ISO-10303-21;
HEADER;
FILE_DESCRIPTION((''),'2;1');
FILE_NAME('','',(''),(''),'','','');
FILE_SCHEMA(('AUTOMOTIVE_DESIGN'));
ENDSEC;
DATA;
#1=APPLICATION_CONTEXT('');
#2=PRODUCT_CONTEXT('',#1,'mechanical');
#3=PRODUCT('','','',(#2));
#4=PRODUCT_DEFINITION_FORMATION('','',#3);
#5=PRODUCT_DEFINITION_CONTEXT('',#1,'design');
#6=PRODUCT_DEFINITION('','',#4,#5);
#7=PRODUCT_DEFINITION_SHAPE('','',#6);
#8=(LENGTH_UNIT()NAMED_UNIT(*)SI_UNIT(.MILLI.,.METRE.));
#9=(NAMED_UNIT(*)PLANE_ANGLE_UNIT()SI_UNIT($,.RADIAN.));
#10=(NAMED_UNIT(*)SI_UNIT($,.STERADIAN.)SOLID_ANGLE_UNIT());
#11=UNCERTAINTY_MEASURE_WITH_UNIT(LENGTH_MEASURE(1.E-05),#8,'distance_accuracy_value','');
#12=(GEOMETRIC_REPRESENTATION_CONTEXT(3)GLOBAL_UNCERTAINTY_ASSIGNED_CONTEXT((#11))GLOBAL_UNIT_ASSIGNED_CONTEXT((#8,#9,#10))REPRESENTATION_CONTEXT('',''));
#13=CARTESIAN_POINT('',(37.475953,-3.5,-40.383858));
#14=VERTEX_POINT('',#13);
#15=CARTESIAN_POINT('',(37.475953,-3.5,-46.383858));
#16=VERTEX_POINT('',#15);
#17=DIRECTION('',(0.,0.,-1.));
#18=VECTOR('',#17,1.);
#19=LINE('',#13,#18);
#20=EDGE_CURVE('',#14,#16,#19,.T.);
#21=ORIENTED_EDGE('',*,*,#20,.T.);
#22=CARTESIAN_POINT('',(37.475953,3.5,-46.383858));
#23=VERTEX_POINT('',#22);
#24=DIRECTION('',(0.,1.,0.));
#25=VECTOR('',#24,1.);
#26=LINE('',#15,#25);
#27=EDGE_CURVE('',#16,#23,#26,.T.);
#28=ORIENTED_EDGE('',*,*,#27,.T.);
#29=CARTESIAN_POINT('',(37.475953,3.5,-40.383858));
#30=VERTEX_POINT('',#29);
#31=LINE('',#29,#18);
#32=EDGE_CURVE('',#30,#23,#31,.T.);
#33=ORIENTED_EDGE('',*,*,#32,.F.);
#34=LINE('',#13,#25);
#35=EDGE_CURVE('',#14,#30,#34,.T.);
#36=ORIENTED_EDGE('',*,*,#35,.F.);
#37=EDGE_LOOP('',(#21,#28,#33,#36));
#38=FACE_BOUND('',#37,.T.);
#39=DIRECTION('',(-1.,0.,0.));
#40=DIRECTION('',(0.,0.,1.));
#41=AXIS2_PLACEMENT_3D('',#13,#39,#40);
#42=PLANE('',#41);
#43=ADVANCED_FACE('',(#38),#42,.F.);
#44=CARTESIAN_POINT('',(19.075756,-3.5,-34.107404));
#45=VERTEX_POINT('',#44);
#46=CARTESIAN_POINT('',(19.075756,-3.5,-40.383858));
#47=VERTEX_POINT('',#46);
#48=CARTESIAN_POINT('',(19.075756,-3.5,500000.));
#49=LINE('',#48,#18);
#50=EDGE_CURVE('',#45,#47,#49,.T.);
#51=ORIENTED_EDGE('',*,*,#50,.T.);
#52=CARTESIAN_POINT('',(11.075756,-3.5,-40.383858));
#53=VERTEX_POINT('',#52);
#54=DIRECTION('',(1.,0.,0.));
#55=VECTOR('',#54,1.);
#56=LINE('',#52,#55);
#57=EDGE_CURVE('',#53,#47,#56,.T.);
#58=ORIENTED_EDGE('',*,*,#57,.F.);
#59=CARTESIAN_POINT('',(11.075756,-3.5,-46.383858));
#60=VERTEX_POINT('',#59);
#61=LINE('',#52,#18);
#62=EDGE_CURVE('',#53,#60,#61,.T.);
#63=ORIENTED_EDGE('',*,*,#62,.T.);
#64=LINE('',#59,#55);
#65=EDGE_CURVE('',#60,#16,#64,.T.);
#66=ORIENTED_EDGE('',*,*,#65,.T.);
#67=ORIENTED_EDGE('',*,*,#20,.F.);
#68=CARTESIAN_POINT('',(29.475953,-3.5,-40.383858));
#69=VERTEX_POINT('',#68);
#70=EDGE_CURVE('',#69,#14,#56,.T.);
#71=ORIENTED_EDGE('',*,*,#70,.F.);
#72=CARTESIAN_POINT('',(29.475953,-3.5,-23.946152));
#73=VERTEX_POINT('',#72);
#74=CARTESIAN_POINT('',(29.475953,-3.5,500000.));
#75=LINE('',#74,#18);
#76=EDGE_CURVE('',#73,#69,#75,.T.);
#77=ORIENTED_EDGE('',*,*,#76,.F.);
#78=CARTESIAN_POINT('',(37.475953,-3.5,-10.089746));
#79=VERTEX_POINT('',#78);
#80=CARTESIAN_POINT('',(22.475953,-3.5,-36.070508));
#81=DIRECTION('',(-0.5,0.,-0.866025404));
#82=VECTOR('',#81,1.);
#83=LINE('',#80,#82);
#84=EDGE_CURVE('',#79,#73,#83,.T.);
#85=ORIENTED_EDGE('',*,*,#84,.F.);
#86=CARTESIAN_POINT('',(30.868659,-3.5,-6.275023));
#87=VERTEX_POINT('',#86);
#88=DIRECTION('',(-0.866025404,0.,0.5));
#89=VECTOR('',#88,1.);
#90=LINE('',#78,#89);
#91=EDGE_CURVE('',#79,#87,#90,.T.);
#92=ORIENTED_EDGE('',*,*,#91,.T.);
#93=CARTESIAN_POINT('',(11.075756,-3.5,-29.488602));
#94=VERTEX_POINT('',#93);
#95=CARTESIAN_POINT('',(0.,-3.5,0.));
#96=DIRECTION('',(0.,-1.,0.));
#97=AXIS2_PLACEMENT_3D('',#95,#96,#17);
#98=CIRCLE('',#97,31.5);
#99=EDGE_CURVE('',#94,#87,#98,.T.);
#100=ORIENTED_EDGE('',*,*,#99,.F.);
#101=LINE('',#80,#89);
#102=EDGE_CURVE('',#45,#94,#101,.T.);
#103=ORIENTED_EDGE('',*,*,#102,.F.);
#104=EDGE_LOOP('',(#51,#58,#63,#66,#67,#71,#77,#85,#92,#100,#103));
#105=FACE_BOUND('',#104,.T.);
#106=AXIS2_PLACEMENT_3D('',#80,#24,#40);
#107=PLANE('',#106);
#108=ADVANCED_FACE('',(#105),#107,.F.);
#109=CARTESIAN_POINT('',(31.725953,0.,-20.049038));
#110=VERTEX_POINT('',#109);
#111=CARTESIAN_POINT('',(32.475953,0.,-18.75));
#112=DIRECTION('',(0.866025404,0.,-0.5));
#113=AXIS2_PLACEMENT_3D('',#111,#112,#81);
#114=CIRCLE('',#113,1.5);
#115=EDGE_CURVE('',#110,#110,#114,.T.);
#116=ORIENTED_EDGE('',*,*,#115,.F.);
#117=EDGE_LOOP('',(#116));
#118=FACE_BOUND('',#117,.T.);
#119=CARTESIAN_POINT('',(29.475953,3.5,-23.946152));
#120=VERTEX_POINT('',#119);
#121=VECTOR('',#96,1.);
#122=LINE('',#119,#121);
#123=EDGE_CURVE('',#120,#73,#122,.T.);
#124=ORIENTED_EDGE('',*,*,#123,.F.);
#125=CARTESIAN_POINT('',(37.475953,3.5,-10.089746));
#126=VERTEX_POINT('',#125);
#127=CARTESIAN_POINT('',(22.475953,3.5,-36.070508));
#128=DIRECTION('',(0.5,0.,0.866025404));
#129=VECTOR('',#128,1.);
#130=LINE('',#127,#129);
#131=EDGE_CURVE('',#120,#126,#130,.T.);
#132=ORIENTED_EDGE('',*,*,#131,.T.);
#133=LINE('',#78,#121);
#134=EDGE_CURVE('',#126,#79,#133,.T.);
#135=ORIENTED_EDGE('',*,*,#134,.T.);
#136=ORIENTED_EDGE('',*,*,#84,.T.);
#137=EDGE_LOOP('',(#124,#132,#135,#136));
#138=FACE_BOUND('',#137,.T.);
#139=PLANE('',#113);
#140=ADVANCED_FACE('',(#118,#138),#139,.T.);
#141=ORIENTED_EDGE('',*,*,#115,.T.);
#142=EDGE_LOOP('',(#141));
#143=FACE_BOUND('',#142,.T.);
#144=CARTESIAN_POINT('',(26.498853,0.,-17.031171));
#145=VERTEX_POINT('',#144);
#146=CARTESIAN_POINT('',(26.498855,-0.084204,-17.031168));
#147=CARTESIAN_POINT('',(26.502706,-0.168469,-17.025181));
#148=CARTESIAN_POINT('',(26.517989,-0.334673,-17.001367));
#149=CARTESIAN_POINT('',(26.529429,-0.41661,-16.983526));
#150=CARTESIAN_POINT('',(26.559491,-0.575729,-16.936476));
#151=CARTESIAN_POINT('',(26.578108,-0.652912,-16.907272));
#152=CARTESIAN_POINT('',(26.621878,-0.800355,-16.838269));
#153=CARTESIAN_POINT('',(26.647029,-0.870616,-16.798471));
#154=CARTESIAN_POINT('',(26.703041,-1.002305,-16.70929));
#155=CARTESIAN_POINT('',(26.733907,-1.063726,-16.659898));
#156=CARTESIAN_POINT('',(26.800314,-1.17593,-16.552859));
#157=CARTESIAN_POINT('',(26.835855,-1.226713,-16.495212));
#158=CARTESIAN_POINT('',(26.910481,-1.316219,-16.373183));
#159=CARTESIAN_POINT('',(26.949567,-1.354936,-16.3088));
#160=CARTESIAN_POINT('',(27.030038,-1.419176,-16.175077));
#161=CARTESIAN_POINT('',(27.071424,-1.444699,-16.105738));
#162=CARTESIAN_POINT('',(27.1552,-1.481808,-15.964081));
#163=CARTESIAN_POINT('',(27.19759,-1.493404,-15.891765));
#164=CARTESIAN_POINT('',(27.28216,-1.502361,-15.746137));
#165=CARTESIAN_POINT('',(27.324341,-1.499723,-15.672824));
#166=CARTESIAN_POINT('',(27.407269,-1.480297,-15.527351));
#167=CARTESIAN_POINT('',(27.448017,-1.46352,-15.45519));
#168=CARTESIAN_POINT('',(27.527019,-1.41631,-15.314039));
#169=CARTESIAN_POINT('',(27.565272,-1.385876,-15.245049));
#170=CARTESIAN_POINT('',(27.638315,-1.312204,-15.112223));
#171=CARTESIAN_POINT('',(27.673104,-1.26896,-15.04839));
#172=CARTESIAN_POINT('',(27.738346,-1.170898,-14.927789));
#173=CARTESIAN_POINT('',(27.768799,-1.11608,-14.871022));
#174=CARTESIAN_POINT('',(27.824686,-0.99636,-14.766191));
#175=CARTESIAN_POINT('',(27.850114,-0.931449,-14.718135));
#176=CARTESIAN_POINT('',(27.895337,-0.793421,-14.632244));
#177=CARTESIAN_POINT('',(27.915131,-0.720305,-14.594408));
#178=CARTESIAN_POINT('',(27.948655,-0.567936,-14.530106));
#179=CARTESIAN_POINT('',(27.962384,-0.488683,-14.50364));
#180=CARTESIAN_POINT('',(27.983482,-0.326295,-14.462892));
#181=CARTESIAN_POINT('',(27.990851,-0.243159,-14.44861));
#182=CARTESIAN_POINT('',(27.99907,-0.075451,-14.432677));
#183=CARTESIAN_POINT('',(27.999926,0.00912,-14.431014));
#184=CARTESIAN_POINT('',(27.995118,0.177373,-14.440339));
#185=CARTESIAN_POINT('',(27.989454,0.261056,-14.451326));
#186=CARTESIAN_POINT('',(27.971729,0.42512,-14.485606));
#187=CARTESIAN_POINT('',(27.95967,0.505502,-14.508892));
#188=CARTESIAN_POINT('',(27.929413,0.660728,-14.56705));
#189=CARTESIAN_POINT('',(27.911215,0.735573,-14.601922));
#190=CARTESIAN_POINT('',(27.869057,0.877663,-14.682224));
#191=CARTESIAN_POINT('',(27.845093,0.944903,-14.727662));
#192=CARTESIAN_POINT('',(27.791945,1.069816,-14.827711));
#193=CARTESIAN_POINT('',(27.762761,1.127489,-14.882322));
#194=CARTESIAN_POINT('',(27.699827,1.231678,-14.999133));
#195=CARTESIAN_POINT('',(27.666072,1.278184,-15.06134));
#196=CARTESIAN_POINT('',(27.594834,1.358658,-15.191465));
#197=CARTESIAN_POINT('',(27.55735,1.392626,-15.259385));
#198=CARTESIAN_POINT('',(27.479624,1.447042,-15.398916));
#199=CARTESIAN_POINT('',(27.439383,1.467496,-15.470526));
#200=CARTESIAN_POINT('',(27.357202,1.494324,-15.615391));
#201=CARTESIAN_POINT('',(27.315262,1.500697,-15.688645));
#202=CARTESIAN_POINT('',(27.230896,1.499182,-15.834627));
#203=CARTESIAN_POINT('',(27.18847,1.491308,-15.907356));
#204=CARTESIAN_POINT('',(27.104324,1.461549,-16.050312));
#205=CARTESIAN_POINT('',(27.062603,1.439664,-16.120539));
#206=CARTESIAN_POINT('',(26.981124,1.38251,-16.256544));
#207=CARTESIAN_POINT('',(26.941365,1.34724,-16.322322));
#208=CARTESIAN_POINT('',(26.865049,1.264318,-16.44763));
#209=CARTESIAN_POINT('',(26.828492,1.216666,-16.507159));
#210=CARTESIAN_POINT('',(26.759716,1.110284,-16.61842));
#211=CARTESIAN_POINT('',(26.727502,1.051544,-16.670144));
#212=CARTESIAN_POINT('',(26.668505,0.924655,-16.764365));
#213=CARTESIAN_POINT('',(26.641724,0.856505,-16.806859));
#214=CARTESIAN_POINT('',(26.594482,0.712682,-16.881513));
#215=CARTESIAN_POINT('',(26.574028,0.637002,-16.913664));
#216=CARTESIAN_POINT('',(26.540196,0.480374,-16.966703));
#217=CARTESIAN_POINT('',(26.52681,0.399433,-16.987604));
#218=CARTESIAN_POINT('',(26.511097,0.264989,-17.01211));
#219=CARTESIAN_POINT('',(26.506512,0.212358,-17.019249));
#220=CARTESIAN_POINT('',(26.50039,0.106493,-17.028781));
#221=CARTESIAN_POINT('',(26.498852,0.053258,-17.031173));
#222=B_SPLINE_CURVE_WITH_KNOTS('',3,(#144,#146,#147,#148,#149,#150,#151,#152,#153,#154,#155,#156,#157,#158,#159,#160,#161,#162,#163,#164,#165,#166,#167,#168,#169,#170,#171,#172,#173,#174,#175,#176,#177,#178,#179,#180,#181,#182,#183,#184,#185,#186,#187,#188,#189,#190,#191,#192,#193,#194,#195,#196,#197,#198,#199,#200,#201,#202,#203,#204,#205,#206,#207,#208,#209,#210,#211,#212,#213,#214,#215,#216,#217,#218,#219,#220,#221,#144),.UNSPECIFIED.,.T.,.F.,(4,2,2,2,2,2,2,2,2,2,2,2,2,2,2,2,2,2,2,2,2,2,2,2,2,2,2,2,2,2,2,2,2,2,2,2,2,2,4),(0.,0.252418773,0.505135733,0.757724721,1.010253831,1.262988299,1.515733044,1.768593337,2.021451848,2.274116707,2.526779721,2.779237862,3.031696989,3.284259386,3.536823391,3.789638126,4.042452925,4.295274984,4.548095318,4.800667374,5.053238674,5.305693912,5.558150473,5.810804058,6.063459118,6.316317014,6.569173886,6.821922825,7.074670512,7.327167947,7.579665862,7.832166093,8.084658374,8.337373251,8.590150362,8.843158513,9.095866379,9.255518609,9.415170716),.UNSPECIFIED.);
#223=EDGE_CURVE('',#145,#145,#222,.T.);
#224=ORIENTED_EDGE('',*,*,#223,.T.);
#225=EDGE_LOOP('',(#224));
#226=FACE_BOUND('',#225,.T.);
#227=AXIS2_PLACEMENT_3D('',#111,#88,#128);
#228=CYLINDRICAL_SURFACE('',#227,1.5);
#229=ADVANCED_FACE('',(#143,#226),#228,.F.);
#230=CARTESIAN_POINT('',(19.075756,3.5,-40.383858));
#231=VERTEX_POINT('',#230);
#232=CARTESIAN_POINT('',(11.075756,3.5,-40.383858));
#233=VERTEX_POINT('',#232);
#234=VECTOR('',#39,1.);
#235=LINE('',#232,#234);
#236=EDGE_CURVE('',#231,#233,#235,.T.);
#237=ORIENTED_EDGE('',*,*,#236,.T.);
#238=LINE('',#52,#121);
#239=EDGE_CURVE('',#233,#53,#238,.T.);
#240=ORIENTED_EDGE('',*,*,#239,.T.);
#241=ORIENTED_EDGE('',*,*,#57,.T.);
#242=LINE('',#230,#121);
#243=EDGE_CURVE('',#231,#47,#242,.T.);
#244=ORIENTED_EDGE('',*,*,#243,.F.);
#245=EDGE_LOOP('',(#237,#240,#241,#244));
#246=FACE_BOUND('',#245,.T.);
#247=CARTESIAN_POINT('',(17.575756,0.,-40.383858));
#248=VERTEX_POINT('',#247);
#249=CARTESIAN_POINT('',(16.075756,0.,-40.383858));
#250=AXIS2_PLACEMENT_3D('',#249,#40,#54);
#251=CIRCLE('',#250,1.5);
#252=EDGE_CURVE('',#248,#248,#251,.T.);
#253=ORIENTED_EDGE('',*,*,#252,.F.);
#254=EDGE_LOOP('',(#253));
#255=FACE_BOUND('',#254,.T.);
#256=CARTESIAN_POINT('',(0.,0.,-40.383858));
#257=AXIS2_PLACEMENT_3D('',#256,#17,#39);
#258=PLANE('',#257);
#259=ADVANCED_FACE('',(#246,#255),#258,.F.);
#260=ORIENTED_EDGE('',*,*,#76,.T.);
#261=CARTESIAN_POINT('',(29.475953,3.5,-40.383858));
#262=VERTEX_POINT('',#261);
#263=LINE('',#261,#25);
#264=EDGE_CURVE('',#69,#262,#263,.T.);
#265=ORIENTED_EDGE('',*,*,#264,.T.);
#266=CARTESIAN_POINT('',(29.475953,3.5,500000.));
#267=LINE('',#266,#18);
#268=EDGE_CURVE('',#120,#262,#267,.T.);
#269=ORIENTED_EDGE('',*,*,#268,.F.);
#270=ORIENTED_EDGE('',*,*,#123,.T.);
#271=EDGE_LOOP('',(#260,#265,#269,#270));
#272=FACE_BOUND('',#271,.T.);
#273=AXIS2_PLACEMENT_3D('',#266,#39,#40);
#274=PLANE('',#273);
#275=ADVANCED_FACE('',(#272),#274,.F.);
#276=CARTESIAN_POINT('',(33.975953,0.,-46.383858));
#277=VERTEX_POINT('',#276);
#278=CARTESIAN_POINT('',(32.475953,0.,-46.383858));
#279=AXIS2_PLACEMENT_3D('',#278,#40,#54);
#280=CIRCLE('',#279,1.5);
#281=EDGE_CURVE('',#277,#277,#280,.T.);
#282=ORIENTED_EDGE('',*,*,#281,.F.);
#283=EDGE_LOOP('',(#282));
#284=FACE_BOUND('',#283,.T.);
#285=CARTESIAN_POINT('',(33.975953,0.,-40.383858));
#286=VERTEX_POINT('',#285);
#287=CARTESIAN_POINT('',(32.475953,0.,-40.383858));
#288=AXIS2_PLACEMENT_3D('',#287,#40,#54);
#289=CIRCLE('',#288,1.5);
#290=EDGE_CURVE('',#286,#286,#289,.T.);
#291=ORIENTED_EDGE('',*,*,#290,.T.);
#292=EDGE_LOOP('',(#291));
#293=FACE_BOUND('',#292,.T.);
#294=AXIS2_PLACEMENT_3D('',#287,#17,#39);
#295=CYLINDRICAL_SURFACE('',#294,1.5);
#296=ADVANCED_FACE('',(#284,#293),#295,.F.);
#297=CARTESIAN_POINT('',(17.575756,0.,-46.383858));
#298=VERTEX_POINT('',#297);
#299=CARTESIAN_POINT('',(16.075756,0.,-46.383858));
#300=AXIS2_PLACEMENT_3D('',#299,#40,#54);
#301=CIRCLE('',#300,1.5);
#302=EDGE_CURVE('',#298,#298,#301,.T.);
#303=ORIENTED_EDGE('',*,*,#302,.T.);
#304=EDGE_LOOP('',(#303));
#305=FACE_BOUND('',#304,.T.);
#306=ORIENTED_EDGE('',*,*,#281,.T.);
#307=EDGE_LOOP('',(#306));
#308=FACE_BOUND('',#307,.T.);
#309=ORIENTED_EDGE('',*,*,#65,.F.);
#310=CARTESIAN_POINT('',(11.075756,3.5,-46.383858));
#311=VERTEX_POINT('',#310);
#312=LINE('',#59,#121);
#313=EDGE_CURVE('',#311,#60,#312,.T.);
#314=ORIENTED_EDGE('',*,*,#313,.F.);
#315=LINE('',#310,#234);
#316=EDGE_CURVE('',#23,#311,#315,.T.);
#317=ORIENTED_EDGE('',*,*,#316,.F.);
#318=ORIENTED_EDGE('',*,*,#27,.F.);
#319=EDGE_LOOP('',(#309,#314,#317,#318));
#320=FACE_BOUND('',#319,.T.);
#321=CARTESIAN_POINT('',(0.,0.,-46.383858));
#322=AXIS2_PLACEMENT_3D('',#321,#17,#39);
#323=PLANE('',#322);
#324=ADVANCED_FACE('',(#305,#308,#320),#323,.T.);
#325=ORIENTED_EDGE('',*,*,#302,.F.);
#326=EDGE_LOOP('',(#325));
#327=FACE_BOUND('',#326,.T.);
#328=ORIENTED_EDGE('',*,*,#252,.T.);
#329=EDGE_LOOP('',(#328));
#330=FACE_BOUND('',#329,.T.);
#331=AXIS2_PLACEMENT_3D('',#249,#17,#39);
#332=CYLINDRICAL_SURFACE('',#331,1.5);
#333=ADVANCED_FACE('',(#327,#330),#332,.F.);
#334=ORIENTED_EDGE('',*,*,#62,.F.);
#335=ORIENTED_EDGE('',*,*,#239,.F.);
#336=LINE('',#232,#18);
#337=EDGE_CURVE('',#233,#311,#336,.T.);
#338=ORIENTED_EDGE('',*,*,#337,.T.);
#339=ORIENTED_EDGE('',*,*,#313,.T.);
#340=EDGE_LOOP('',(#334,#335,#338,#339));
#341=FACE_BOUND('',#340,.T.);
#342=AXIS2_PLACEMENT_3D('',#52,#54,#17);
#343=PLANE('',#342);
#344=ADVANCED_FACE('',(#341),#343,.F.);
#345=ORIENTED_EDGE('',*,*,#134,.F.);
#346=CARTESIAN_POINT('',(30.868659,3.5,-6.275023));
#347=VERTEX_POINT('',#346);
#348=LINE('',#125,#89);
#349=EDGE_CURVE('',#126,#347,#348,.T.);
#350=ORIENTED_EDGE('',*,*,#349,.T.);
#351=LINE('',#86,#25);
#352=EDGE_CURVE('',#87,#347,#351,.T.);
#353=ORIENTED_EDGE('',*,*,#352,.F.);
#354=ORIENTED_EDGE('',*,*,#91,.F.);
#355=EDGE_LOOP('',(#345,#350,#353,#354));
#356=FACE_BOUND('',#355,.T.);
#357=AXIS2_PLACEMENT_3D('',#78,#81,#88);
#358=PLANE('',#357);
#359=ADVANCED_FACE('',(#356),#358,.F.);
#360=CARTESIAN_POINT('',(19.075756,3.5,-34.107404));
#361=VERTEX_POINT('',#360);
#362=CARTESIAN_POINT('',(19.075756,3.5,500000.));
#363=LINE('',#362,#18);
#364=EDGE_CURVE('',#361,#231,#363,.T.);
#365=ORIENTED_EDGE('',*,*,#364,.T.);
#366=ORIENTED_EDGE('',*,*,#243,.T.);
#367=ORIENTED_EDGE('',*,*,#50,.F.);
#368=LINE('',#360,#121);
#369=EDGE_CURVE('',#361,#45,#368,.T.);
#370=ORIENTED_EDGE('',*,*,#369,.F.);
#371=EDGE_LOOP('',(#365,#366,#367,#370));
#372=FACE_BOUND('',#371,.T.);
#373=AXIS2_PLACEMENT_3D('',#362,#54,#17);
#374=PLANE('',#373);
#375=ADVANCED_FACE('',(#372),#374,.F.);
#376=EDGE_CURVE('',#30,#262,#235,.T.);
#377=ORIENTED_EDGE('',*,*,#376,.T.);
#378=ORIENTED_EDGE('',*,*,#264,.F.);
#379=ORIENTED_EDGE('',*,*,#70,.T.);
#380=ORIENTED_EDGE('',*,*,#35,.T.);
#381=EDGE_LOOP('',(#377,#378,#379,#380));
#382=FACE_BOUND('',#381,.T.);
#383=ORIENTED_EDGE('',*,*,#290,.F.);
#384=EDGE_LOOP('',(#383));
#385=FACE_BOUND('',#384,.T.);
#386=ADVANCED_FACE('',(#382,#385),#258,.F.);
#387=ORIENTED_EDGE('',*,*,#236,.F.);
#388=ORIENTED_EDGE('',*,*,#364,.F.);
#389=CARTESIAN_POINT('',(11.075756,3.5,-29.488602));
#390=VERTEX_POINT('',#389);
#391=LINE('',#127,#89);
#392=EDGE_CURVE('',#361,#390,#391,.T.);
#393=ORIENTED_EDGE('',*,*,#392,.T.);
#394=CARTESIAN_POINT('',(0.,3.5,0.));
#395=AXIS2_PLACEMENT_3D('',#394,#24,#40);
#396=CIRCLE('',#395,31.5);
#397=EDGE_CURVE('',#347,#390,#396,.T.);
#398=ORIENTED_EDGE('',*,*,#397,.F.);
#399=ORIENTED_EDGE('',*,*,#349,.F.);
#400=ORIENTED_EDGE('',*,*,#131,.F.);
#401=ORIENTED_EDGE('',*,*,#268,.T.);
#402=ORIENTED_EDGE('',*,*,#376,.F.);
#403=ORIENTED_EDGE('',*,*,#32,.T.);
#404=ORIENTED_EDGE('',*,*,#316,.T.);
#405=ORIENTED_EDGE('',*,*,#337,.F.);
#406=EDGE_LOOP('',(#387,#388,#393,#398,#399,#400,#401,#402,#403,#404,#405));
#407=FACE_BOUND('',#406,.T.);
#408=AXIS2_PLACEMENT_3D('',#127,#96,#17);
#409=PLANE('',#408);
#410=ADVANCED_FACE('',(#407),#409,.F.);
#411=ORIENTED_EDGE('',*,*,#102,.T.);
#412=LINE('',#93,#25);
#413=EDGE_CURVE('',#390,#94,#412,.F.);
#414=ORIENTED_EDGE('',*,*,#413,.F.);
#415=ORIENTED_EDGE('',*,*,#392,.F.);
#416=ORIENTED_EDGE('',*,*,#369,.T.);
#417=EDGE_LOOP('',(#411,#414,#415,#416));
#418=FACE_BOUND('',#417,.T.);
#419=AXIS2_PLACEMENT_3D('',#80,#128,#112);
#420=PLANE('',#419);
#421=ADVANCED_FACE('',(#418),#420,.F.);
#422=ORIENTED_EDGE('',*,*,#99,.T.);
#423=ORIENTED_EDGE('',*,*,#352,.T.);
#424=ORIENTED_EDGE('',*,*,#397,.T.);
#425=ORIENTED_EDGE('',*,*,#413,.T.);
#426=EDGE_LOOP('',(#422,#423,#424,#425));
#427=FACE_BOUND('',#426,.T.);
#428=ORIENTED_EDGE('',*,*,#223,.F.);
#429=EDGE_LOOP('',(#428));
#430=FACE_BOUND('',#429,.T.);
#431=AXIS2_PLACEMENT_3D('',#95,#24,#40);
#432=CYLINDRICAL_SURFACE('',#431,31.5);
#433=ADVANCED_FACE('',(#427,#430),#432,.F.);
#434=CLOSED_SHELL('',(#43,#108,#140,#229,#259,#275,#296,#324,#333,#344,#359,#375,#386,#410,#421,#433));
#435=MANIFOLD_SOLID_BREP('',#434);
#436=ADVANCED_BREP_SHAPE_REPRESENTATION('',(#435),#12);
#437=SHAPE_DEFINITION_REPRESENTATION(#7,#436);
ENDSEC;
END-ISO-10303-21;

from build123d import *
from build123d.topology import SkipClean

# Parameters (mm, degrees)
SKETCH1_R                            = 31.5
BOSS_EXTRUDE1_DEPTH                  = 3.5
SKETCH2_R                            = 1.5
CUT_EXTRUDE1_DEPTH                   = 4
CIRPATTERN1_COUNT                    = 6
SKETCH3_W                            = 30
SKETCH3_H                            = 7
SKETCH3_R                            = 1.5
BOSS_EXTRUDE2_DEPTH                  = 6
BOSS_EXTRUDE2_DIRECTION_2_REACH      = 77.498
BOSS_EXTRUDE2_DIRECTION_2_END_RADIUS = 31.5
SKETCH6_W                            = 26.400196428
SKETCH6_H                            = 7
SKETCH6_R                            = 1.5
BOSS_EXTRUDE3_DEPTH                  = 6
BOSS_EXTRUDE4_REACH                  = 83.142
SKETCH7_W                            = 10.400196428
SKETCH7_H                            = 7


with BuildPart() as part:
    # Sketch1 → Boss-Extrude1 (new, symmetric)
    with BuildSketch(Plane(origin=(0, 0, 0), x_dir=(1, 0, 0), z_dir=(0, 1, 0))):
        Circle(SKETCH1_R)
    extrude(amount=BOSS_EXTRUDE1_DEPTH, both=True)

    # Sketch2 → Cut-Extrude1 (cut)
    with BuildSketch(Plane(origin=(27.279800219, 0, -15.75), x_dir=(-0.499999999999998, 0, -0.8660254037844398), z_dir=(0.8660254037844399, 0, -0.49999999999999806))):
        Circle(SKETCH2_R)
    cut_extrude1 = extrude(amount=-CUT_EXTRUDE1_DEPTH, mode=Mode.SUBTRACT)

    # CirPattern1: Cut-Extrude1 ×6 about axis
    cirpattern1_axis = Axis((0, -3.5, 0), (0, 1, 0))
    for i in range(1, CIRPATTERN1_COUNT):
        add(cut_extrude1.rotate(cirpattern1_axis, i * 360 / CIRPATTERN1_COUNT), mode=Mode.SUBTRACT)


with BuildPart() as body_2:
    # Sketch3 → Boss-Extrude2 (new body)
    with BuildSketch(Plane(origin=(27.279800219, 0, -15.75), x_dir=(-0.499999999999998, 0, -0.8660254037844398), z_dir=(0.8660254037844399, 0, -0.49999999999999806))):
        with Locations((5, 0)):
            Rectangle(SKETCH3_W, SKETCH3_H)
        Circle(SKETCH3_R, mode=Mode.SUBTRACT)
    extrude(amount=BOSS_EXTRUDE2_DEPTH)

    # Boss-Extrude2 direction 2: up to this cylinder (the profile starts outside it)
    with SkipClean():  # the faces are left unmerged after this step: merging them gives an invalid solid
        boss_extrude2_direction_2_end = Plane(origin=(0, 0, 0), z_dir=(0, 1, 0)) * Cylinder(BOSS_EXTRUDE2_DIRECTION_2_END_RADIUS, 218.996, mode=Mode.PRIVATE)
        # Sketch3 → Boss-Extrude2 direction 2 (add, up to the surface)
        with BuildSketch(Plane(origin=(27.279800219, 0, -15.75), x_dir=(-0.499999999999998, 0, -0.8660254037844398), z_dir=(0.8660254037844399, 0, -0.49999999999999806)), mode=Mode.PRIVATE) as boss_extrude2_direction_2_sk1:
            with Locations((5, 0)):
                Rectangle(SKETCH3_W, SKETCH3_H)
            Circle(SKETCH3_R, mode=Mode.SUBTRACT)
        boss_extrude2_direction_2_tool1 = extrude(boss_extrude2_direction_2_sk1.sketch, amount=-BOSS_EXTRUDE2_DIRECTION_2_REACH, mode=Mode.PRIVATE) - boss_extrude2_direction_2_end
        add(boss_extrude2_direction_2_tool1.solids().sort_by_distance((24.692719, 0, -20.230956))[0])
        add(boss_extrude2_direction_2_tool1.solids().sort_by_distance((24.692719, 0, -20.230956))[1])

    # Sketch7 → Boss-Extrude4 (add, up to next)
    with BuildSketch(Plane.XY.offset(-40.383857754), mode=Mode.PRIVATE) as boss_extrude4_sk1:
        with Locations((24.275854428, 0)):
            Rectangle(SKETCH7_W, SKETCH7_H)
    boss_extrude4_tool1 = extrude(boss_extrude4_sk1.sketch, amount=BOSS_EXTRUDE4_REACH, mode=Mode.PRIVATE) - body_2.part


with BuildPart() as body_3:
    # Sketch6 → Boss-Extrude3 (new body)
    with BuildSketch(Plane.XY.offset(-46.383857754)):
        with Locations((24.275854428, 0)):
            Rectangle(SKETCH6_W, SKETCH6_H)
        with Locations((32.475952642, 0)):
            Circle(SKETCH6_R, mode=Mode.SUBTRACT)
        with Locations((16.075756214, 0)):
            Circle(SKETCH6_R, mode=Mode.SUBTRACT)
    extrude(amount=BOSS_EXTRUDE3_DEPTH)


with BuildPart() as body_2_1:
    add(body_2.part)

    add(body_3.part)  # Boss-Extrude4 merges body 3
    add(boss_extrude4_tool1.solids().sort_by_distance((24.275854, 0, -40.383858))[0])


solid = body_2_1.part
